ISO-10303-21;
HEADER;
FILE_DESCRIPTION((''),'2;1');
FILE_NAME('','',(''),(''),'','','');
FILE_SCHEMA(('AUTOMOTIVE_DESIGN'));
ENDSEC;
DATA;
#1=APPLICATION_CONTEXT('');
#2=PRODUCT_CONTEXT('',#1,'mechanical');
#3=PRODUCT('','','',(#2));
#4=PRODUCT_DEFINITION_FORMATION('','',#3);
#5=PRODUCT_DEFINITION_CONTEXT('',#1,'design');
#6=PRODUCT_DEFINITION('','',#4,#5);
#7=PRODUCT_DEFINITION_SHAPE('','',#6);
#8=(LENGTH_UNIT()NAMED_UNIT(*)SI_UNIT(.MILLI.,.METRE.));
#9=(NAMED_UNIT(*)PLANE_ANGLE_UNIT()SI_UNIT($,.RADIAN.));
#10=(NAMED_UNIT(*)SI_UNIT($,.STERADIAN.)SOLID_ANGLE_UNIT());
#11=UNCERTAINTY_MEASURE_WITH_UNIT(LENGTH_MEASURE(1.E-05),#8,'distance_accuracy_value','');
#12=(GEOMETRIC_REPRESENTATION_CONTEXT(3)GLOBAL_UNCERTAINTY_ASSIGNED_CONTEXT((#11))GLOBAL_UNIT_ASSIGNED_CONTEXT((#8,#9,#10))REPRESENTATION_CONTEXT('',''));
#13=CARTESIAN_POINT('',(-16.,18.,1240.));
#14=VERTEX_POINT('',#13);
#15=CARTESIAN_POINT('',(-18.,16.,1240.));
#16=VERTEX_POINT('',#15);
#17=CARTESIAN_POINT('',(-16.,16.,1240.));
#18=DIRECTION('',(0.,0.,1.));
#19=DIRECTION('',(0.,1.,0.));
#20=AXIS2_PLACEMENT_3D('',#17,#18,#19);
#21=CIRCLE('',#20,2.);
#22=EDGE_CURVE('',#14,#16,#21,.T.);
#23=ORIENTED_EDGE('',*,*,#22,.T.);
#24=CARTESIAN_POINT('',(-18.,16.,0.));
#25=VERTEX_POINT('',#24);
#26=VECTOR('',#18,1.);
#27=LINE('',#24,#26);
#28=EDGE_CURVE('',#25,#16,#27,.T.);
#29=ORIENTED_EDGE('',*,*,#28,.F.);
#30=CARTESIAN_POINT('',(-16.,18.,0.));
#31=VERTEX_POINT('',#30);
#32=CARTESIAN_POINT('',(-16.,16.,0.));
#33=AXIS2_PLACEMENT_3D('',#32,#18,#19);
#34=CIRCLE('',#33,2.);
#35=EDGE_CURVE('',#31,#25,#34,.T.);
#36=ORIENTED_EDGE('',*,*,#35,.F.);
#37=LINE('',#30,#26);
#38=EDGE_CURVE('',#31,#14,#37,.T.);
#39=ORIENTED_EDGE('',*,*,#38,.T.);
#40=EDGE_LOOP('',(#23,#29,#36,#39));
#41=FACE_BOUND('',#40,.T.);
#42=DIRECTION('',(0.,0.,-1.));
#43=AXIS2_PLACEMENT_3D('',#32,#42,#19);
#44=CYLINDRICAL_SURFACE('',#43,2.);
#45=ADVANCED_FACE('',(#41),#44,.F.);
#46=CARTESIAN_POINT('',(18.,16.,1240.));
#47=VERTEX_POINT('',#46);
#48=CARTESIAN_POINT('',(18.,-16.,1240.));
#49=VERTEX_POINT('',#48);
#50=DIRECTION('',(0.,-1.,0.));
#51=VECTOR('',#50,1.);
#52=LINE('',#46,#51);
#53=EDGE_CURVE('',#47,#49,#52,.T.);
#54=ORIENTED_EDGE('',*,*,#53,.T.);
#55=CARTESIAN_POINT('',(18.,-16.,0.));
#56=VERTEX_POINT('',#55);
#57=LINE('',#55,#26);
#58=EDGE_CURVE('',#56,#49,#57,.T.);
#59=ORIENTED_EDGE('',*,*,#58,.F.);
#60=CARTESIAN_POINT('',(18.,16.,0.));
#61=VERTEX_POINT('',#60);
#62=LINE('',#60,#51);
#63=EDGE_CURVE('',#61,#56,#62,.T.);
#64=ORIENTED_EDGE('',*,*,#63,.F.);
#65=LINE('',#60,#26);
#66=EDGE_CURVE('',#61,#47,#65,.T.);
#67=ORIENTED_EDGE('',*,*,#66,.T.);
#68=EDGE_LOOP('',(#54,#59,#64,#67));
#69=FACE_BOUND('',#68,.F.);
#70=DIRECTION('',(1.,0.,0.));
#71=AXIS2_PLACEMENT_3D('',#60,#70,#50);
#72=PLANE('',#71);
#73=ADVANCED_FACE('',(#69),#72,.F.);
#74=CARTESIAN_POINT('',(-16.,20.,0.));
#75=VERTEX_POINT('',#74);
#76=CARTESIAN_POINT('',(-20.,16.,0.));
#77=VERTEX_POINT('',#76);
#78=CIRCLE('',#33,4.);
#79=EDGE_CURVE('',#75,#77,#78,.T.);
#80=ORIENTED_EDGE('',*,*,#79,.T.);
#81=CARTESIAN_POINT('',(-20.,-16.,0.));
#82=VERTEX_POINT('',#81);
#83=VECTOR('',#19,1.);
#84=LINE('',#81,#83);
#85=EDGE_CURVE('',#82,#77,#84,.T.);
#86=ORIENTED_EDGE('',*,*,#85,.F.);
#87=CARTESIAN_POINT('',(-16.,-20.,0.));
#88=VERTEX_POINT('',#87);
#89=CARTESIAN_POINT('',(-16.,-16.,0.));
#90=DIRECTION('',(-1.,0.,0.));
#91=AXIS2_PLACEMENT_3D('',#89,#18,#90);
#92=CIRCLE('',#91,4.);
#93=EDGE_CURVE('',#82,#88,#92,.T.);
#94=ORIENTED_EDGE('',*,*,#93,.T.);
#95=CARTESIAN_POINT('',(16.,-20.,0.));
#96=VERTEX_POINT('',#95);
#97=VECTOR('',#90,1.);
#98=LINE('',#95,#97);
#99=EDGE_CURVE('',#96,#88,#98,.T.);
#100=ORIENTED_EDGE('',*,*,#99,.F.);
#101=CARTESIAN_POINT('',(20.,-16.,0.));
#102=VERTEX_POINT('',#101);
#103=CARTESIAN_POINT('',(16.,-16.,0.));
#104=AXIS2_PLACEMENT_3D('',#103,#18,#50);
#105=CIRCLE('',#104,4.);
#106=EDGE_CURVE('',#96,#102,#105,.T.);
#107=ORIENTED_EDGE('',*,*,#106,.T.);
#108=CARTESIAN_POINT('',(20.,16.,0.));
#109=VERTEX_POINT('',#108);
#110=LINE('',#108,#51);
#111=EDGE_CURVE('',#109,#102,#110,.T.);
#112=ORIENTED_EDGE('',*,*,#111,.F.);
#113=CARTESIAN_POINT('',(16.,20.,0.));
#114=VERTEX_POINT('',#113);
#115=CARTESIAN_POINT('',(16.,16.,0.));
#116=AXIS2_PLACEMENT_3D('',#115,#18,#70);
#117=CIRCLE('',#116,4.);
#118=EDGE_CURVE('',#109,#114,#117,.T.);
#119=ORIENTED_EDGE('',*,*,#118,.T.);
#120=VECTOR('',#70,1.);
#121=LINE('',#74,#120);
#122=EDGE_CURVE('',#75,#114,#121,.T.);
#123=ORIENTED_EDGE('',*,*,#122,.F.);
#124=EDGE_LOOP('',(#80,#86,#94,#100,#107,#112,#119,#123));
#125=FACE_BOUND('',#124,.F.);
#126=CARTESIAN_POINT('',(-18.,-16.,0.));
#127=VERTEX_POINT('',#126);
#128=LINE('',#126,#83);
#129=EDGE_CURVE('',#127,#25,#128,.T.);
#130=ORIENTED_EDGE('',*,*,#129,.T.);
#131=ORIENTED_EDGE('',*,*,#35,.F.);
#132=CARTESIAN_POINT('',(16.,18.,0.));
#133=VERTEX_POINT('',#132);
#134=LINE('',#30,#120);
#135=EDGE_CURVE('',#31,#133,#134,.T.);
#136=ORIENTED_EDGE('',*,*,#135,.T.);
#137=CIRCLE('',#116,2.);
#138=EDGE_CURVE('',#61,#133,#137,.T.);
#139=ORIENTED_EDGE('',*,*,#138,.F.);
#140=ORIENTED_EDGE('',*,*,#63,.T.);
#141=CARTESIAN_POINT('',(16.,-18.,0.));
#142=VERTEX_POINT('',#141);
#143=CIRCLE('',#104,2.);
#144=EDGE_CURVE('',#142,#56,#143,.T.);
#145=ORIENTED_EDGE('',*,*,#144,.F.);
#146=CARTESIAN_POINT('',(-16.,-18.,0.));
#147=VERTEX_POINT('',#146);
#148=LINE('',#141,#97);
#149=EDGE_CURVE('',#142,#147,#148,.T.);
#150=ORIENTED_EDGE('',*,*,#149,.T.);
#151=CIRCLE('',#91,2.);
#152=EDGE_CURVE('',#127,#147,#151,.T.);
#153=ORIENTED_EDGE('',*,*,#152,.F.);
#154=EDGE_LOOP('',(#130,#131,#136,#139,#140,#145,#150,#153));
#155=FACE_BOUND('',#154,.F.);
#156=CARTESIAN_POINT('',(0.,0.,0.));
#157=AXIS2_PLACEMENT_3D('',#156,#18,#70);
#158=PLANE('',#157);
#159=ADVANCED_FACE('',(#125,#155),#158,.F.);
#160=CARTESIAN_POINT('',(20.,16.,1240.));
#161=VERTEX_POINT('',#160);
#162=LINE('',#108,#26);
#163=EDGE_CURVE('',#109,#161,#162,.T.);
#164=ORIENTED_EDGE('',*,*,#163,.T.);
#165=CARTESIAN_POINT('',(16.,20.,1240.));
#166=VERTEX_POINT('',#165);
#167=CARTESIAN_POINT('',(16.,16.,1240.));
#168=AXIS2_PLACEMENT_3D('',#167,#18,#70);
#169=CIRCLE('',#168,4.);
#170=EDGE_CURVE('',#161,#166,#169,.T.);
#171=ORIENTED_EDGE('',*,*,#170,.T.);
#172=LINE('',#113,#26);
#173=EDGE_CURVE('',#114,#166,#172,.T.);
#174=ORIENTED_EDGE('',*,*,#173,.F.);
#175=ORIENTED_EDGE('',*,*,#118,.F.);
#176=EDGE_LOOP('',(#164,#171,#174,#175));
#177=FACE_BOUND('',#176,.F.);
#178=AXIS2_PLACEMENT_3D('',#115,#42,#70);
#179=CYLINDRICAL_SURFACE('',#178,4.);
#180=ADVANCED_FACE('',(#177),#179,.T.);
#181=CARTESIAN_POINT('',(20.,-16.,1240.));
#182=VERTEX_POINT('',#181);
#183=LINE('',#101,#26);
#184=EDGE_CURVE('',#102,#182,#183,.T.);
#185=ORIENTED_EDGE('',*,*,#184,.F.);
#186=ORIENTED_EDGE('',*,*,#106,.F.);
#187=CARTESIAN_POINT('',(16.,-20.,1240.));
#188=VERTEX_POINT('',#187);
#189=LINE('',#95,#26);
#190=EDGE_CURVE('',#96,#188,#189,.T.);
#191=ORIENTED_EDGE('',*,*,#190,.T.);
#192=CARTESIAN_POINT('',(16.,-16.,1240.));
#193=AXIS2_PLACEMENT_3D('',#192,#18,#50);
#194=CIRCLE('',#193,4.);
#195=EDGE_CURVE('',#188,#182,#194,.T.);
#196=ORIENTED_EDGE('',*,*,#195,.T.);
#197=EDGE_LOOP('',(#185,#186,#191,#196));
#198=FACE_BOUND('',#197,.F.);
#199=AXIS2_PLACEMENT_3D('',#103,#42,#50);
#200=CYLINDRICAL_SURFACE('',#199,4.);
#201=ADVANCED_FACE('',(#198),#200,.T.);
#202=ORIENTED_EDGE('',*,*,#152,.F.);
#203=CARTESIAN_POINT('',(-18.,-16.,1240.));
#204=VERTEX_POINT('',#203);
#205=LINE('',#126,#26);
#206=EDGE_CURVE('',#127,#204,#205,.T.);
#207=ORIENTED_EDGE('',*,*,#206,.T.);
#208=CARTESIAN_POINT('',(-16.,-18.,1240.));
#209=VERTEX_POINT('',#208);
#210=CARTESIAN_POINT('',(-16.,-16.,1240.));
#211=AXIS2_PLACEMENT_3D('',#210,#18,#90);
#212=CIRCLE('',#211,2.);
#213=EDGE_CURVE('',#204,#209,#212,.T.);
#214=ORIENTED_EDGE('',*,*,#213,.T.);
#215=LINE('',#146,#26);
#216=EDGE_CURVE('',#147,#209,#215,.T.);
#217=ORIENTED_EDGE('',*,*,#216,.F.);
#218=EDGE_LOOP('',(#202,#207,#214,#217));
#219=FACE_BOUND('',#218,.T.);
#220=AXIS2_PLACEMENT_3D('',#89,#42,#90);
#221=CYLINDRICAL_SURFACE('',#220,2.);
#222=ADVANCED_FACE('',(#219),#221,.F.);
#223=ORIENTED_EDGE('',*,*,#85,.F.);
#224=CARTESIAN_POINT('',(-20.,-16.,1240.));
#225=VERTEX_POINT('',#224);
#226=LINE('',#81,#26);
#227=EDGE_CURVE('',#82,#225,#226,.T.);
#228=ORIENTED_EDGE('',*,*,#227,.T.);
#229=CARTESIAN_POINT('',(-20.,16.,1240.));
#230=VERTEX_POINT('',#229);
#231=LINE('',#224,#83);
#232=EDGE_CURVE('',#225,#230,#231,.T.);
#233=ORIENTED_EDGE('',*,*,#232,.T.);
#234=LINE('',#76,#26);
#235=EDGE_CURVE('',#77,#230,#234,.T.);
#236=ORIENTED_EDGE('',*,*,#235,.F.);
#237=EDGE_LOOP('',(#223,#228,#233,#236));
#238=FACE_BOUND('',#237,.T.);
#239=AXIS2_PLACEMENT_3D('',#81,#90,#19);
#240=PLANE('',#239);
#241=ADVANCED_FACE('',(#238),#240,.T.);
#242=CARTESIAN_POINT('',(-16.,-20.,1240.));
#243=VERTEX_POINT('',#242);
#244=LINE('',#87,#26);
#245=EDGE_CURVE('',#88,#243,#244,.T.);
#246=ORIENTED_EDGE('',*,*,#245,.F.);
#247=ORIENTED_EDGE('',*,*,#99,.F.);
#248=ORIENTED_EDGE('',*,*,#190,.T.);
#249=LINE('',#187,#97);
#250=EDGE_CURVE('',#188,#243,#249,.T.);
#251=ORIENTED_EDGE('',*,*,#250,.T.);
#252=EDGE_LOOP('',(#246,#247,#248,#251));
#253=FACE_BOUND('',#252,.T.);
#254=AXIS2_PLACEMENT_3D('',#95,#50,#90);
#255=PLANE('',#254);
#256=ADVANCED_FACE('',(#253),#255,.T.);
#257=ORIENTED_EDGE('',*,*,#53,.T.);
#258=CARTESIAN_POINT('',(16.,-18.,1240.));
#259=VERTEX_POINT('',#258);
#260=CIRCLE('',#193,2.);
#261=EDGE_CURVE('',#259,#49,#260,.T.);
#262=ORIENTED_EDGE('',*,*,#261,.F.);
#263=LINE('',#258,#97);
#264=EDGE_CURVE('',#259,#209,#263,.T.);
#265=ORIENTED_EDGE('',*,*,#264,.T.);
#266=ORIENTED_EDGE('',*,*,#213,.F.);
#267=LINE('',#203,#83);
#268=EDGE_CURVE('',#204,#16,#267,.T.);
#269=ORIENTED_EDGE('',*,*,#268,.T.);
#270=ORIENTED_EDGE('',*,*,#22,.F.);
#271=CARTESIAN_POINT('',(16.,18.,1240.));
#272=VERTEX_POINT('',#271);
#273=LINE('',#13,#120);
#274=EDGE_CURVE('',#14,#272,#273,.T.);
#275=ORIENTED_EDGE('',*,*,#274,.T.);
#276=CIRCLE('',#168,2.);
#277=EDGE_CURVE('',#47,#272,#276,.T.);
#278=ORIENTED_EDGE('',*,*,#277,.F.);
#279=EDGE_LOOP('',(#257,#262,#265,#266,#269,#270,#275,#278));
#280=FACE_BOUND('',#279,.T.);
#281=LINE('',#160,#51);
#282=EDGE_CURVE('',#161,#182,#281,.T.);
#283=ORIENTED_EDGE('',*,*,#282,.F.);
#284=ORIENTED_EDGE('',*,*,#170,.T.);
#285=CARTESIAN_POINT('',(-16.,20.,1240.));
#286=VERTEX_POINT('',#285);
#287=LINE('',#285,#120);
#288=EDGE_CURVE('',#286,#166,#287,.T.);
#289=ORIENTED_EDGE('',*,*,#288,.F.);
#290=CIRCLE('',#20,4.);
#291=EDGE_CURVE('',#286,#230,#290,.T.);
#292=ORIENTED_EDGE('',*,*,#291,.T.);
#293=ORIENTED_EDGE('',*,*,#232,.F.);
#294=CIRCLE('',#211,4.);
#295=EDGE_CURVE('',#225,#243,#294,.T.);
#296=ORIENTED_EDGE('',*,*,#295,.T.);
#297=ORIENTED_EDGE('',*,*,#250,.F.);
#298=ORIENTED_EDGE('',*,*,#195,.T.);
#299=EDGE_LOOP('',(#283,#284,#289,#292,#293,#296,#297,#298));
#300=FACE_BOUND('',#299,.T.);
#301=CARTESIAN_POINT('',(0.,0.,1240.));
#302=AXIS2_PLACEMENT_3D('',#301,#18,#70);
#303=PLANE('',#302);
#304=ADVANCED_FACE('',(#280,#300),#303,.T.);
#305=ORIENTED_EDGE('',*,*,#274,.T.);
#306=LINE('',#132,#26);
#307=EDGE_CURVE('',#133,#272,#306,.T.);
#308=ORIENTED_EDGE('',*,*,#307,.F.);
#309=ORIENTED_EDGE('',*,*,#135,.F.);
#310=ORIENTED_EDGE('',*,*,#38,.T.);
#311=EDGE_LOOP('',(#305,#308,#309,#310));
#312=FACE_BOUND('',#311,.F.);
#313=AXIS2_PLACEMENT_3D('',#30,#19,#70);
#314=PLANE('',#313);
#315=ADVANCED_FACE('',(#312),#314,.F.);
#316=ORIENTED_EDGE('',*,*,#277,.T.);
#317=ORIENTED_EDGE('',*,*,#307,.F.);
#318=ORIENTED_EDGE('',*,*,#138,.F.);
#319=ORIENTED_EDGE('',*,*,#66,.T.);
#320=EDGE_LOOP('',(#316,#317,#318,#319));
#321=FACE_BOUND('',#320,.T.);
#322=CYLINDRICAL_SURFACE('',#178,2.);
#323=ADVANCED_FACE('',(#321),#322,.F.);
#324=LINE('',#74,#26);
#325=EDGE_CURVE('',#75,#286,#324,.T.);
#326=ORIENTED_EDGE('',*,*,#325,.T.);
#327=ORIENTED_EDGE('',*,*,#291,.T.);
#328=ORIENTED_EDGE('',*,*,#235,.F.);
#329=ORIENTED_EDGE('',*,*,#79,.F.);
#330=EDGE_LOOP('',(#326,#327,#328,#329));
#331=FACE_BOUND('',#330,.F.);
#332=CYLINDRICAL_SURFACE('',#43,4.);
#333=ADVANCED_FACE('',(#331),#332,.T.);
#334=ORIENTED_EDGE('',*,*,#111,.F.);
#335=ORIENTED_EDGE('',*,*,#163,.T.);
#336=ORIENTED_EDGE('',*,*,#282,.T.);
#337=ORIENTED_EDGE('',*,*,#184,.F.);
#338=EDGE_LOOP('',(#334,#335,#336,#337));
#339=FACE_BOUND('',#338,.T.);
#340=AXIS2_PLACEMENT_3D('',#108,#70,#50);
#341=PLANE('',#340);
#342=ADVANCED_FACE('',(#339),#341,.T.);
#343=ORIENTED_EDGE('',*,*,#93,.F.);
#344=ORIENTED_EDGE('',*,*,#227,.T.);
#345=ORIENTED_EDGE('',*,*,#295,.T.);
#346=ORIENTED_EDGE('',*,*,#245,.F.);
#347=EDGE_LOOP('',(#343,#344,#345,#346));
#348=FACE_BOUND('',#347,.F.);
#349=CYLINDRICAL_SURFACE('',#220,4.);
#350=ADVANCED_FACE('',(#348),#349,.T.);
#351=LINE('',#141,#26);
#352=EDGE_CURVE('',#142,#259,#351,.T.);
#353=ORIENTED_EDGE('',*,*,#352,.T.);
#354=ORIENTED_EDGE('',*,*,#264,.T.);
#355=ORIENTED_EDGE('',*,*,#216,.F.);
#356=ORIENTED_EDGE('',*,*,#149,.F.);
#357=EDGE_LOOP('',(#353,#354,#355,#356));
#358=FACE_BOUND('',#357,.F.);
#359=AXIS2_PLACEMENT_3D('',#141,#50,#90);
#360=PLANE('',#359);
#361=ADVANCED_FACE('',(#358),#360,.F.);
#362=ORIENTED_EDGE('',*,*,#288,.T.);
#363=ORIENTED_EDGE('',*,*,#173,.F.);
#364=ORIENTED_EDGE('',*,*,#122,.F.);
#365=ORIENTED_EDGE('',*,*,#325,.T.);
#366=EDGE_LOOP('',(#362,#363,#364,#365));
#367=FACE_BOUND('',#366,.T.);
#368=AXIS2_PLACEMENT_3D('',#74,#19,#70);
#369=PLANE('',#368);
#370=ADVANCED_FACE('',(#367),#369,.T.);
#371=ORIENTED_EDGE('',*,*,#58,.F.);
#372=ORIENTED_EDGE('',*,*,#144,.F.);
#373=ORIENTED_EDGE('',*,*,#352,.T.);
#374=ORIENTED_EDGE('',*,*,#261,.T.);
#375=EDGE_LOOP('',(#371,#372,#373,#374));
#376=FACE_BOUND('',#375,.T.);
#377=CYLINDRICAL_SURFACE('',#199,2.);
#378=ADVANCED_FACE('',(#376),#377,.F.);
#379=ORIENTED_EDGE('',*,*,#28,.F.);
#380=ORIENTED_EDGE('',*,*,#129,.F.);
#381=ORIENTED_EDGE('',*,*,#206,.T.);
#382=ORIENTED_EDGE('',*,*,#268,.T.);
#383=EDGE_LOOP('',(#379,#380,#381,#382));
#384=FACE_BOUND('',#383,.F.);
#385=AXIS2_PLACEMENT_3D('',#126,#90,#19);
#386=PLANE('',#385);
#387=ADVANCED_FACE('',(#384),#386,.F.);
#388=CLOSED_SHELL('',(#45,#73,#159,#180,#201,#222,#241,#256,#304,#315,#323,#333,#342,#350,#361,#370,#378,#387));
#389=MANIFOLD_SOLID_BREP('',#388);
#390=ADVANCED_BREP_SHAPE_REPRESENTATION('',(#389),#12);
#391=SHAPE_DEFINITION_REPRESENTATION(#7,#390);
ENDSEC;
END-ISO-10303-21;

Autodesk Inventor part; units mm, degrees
ref_plane "YZ Plane" through (0, 0, 0) normal (1, 0, 0) x (0, 1, 0)
ref_plane "Start Plane" through (0, 0, 0) normal (0, 0, 1) x (1, 0, 0)
ref_plane "End Plane" through (0, 0, 1240) normal (0, 0, 1) x (1, 0, 0)
sketch "Sketch" plane through (0, 0, 0) normal (0, 0, 1) x (1, 0, 0)
  line L0 (-20, -16) -> (-20, 16)
  line L1 (-16, 20) -> (16, 20)
  line L2 (20, 16) -> (20, -16)
  line L3 (16, -20) -> (-16, -20)
  arc A0 (-20, -16) -> (-16, -20) centre (-16, -16) ccw
  arc A1 (20, 16) -> (16, 20) centre (16, 16) ccw
  arc A2 (-16, 20) -> (-20, 16) centre (-16, 16) ccw
  arc A3 (16, -20) -> (20, -16) centre (16, -16) ccw
  arc A4 (-16, 18) -> (-18, 16) centre (-16, 16) ccw
  line L4 (-16, 18) -> (16, 18)
  arc A5 (18, 16) -> (16, 18) centre (16, 16) ccw
  line L5 (18, 16) -> (18, -16)
  arc A6 (16, -18) -> (18, -16) centre (16, -16) ccw
  line L6 (16, -18) -> (-16, -18)
  arc A7 (-18, -16) -> (-16, -18) centre (-16, -16) ccw
  line L7 (-18, -16) -> (-18, 16)
  line L8 (0, 29.1598) -> (0, -29.1598) construction
  line L9 (-29.1598, 0) -> (29.1598, 0) construction
  dimension "d7" = 4
  dimension "d9" = 40
  dimension "d11" = 40
  dimension "d12" = 2
  dimension "d15" = 20
  dimension "d16" = 20
extrude "Body" add sketch "Sketch" along normal up to surface (1240 mm away) from surface at 0
sketch "Sketch3" plane through (0, 0, 0) normal (0, 0, 1) x (1, 0, 0)
  line L0 (0, 0) -> (10, 0)
ref_plane "Work Plane3" through (0, 0, 0) normal (0, -1, 0) x (1, 0, 0)
sketch "Sketch4" plane through (0, 0, 0) normal (0, -1, 0) x (1, 0, 0)
  line L0 (-2, 0) -> (12, 0) projected
  line L1 (-2, 1240) -> (12, 1240) projected
  dimension "d18" = 1240
equation "\"d7\" = G_IR"
equation "\"d9\" = G_W"
equation "\"d11\" = G_H"
equation "\"d12\" = G_T"
equation "\"d15\" = 0.5 * d9"
equation "\"d16\" = 0.5 * d11"
equation "\"d3\" = G_L"
equation "\"G_W\" = 40"
equation "\"G_H\" = 40"
equation "\"G_T\" = 2"
equation "\"G_IR\" = 4"
equation "\"G_L\" = d18"
equation "\"G_OFFSET_START\" = 0"
equation "\"G_OFFSET_END\" = 0"
properties part number "ISO 10799-2 - 40x40x2 - 1240" material "Stainless Steel"
